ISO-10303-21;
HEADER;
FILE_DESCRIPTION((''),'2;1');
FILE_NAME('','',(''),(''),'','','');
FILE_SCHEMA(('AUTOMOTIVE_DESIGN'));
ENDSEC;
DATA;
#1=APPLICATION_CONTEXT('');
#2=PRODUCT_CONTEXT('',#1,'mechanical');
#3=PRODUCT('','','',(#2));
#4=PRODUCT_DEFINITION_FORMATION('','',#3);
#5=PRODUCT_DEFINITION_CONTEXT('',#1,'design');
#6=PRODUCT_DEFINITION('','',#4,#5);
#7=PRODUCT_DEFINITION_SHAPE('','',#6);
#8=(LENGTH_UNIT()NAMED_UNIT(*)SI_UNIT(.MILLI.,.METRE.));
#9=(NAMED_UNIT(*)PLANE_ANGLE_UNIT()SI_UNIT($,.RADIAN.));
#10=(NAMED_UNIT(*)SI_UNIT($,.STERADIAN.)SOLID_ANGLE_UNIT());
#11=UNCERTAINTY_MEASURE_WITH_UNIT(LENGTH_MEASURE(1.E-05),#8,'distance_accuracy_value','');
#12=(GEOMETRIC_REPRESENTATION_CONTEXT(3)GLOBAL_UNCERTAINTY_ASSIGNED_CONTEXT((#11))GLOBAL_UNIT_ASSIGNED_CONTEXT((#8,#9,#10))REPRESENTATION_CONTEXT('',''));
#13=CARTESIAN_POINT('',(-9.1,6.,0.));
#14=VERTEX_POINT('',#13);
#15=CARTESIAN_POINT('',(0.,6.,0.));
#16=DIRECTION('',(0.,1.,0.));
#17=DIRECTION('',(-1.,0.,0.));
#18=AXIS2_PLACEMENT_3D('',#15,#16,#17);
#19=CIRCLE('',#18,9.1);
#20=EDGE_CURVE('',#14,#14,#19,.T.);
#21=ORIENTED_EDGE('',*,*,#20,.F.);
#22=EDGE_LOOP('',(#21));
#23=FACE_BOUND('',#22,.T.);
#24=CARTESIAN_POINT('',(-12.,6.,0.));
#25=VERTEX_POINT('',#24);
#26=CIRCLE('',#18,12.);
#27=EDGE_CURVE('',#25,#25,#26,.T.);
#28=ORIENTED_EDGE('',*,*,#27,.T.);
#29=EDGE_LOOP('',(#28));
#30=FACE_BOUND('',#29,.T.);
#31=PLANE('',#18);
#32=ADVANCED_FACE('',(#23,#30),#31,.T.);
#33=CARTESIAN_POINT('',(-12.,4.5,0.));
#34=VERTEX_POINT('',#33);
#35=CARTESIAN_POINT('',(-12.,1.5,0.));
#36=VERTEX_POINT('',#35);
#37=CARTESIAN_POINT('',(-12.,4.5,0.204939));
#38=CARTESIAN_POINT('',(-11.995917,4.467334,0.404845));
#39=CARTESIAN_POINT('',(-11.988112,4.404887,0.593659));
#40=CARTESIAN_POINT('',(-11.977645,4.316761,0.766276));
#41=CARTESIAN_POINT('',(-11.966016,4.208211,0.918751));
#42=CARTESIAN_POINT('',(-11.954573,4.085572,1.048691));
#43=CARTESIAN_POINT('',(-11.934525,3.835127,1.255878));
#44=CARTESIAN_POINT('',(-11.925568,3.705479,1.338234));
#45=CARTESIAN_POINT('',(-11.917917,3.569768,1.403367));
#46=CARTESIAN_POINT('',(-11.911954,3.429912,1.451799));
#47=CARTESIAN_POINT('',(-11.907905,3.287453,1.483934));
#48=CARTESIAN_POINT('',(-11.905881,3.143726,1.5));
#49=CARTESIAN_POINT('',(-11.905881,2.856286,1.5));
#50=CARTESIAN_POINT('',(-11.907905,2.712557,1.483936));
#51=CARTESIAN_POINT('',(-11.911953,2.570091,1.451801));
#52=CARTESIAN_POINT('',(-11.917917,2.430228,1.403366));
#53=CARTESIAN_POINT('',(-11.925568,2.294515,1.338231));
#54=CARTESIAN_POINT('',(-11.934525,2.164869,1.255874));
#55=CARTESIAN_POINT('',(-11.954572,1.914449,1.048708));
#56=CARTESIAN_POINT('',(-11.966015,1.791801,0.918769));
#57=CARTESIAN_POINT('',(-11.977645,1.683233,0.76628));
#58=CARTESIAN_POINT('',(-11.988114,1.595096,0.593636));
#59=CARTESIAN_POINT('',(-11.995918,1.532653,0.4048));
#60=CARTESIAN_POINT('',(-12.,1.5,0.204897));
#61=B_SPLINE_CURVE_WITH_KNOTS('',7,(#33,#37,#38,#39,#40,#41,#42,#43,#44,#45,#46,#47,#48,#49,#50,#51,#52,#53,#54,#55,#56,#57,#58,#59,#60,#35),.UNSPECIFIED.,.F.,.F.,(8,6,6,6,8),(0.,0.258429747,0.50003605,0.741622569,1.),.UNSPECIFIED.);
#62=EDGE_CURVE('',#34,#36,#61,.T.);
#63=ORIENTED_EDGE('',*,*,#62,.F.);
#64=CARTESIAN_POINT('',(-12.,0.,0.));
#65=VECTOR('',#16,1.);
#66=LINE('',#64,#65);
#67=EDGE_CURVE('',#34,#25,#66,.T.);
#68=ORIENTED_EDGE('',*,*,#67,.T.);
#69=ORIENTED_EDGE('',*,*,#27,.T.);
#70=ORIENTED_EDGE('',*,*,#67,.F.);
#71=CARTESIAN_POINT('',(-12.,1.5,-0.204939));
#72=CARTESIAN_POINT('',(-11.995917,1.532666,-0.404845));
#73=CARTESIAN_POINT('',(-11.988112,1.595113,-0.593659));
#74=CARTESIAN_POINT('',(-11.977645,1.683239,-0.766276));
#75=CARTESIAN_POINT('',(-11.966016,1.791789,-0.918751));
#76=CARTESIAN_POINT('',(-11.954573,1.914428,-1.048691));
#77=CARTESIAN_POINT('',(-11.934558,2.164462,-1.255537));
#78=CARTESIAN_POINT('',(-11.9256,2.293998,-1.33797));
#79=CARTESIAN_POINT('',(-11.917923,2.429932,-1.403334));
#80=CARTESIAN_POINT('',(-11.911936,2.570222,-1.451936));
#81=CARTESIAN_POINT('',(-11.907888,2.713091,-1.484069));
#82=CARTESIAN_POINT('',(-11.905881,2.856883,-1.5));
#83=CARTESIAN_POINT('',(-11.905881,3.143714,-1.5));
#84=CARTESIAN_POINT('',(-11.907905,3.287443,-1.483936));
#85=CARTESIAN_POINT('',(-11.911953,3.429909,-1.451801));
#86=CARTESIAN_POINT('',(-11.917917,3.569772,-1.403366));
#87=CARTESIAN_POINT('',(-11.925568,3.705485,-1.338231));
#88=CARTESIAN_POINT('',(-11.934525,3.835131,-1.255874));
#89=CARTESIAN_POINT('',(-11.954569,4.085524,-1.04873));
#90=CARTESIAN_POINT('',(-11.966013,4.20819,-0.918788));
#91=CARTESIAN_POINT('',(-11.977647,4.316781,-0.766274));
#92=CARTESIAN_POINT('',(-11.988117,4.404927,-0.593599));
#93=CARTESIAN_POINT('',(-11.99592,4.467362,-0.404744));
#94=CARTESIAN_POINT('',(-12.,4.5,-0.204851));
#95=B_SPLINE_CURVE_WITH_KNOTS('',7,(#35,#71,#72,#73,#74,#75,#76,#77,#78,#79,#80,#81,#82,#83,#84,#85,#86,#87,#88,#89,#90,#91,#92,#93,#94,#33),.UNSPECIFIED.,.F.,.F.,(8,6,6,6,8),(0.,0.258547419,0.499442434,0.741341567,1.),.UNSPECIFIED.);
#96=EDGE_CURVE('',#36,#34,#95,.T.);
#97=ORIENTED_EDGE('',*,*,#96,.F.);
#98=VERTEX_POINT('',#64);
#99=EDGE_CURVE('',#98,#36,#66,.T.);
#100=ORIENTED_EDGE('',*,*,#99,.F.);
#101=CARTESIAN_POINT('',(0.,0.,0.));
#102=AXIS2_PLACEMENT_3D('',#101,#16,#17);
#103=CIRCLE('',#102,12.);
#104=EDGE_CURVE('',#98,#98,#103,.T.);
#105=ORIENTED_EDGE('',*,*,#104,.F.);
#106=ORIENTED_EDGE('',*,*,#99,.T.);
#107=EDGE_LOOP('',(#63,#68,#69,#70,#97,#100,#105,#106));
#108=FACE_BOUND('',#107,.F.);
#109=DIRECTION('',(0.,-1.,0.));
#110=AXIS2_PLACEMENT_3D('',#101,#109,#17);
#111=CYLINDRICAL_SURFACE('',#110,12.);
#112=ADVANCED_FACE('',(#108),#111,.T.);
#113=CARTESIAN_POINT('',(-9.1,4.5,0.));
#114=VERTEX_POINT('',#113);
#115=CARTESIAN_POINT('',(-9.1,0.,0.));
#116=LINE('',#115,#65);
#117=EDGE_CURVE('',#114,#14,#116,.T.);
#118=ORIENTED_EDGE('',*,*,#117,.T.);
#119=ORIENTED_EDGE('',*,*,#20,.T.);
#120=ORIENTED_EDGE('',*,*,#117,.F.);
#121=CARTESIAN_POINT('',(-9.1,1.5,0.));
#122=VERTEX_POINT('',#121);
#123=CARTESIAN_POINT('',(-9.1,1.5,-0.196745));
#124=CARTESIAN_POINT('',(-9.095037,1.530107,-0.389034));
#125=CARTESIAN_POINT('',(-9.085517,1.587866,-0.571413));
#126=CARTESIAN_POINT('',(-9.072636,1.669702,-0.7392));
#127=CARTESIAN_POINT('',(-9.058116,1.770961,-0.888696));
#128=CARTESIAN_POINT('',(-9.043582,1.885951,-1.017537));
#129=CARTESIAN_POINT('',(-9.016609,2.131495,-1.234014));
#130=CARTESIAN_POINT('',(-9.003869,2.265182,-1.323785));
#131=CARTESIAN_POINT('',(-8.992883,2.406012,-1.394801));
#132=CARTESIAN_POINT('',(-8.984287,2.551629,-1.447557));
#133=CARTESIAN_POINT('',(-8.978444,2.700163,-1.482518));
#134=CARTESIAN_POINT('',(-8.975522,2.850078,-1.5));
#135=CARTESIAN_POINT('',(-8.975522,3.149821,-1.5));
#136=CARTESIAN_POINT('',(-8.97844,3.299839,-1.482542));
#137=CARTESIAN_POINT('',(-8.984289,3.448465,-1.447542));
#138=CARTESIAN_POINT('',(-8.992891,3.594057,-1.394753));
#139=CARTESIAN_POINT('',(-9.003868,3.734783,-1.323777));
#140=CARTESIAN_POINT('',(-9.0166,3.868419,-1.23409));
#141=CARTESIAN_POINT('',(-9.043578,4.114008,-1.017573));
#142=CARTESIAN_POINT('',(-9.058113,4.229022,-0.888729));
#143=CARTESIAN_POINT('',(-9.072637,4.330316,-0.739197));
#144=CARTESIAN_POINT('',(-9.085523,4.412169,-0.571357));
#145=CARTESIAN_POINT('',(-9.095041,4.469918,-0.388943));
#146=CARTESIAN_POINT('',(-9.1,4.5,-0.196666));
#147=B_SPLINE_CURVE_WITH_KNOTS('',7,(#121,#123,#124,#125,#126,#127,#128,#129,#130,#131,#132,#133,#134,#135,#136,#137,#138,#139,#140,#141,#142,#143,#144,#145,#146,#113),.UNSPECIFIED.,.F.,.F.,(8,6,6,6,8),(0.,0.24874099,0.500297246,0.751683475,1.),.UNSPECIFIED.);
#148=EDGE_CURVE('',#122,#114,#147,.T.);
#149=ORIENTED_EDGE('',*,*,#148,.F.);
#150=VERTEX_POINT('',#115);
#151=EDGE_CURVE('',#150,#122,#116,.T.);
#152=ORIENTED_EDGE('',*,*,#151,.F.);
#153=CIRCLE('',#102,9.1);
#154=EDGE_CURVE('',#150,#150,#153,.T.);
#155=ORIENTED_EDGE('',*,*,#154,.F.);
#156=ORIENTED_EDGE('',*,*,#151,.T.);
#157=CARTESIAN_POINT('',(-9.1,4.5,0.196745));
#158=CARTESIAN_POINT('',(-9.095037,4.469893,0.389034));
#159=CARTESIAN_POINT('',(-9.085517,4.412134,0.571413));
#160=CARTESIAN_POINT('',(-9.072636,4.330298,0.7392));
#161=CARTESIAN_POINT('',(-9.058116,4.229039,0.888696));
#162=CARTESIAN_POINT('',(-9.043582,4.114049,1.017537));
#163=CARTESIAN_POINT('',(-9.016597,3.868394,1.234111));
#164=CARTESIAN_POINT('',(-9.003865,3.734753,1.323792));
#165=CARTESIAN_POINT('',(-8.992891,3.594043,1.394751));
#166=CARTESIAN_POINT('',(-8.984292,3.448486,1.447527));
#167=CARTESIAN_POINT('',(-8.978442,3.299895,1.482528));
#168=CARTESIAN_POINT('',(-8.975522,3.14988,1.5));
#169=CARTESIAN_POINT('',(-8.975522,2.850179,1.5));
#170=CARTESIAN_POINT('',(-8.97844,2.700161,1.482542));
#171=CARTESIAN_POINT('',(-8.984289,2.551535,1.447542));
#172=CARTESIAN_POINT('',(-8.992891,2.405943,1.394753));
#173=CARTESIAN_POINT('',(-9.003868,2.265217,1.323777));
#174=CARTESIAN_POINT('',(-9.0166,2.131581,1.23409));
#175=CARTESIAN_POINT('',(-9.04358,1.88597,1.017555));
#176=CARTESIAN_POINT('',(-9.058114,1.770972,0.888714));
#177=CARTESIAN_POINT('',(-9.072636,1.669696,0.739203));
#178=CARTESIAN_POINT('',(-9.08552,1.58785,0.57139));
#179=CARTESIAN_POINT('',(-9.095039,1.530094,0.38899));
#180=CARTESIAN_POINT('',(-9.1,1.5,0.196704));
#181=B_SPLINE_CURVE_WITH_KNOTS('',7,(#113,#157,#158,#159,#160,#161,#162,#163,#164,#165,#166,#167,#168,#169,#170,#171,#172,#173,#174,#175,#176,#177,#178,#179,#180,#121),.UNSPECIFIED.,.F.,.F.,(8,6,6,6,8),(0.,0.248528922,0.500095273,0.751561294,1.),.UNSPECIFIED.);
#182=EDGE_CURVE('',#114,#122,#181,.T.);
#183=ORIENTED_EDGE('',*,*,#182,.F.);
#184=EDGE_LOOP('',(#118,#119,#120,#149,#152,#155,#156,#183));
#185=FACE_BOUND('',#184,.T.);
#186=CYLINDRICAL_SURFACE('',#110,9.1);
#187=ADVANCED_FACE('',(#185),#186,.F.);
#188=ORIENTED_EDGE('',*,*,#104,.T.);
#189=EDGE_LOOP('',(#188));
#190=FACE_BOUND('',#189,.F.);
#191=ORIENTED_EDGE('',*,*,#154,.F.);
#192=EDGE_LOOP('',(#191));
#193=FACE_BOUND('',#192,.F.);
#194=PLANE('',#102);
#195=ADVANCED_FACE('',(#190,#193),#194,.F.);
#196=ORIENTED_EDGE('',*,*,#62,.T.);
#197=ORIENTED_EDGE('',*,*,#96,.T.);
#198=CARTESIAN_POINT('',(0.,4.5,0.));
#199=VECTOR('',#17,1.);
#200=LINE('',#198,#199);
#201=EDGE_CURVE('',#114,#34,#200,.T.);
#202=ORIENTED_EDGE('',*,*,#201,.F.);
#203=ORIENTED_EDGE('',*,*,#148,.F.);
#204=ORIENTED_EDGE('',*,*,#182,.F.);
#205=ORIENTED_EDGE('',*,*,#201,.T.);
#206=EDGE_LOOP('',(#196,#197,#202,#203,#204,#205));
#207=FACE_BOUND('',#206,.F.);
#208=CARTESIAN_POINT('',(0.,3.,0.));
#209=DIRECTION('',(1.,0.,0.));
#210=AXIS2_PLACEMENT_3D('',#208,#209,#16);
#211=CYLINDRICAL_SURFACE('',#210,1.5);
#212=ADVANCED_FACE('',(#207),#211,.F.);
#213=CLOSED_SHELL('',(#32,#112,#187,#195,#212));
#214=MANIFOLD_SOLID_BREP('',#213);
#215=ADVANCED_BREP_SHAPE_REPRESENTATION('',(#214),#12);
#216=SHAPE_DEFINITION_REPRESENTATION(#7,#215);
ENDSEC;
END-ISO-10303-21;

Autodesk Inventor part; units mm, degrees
ref_plane "YZ Plane" through (0, 0, 0) normal (1, 0, 0) x (0, 1, 0)
ref_plane "XZ Plane" through (0, 0, 0) normal (0, 1, 0) x (-1, 0, 0)
ref_plane "XY Plane" through (0, 0, 0) normal (0, 0, 1) x (1, 0, 0)
sketch "Sketch1" plane through (0, 0, 0) normal (0, 1, 0) x (-1, 0, 0)
  circle A0 centre (0, 0) radius 9.1
  circle A1 centre (0, 0) radius 12
  dimension "d0" = 18.2
  dimension "d1" = 24
extrude "Extrusion1" add sketch "Sketch1" along normal blind 6
sketch "Sketch2" plane through (0, 0, 0) normal (1, 0, 0) x (0, 1, 0)
  circle A0 centre (3, 0) radius 1.5
  line L0 (0, -12) -> (0, 12) projected
  point P0 (0, 0)
  dimension "d4" = 3
  dimension "d5" = 3
extrude "Extrusion2" cut sketch "Sketch2" against normal through all
properties part number "roller_adjuster"
